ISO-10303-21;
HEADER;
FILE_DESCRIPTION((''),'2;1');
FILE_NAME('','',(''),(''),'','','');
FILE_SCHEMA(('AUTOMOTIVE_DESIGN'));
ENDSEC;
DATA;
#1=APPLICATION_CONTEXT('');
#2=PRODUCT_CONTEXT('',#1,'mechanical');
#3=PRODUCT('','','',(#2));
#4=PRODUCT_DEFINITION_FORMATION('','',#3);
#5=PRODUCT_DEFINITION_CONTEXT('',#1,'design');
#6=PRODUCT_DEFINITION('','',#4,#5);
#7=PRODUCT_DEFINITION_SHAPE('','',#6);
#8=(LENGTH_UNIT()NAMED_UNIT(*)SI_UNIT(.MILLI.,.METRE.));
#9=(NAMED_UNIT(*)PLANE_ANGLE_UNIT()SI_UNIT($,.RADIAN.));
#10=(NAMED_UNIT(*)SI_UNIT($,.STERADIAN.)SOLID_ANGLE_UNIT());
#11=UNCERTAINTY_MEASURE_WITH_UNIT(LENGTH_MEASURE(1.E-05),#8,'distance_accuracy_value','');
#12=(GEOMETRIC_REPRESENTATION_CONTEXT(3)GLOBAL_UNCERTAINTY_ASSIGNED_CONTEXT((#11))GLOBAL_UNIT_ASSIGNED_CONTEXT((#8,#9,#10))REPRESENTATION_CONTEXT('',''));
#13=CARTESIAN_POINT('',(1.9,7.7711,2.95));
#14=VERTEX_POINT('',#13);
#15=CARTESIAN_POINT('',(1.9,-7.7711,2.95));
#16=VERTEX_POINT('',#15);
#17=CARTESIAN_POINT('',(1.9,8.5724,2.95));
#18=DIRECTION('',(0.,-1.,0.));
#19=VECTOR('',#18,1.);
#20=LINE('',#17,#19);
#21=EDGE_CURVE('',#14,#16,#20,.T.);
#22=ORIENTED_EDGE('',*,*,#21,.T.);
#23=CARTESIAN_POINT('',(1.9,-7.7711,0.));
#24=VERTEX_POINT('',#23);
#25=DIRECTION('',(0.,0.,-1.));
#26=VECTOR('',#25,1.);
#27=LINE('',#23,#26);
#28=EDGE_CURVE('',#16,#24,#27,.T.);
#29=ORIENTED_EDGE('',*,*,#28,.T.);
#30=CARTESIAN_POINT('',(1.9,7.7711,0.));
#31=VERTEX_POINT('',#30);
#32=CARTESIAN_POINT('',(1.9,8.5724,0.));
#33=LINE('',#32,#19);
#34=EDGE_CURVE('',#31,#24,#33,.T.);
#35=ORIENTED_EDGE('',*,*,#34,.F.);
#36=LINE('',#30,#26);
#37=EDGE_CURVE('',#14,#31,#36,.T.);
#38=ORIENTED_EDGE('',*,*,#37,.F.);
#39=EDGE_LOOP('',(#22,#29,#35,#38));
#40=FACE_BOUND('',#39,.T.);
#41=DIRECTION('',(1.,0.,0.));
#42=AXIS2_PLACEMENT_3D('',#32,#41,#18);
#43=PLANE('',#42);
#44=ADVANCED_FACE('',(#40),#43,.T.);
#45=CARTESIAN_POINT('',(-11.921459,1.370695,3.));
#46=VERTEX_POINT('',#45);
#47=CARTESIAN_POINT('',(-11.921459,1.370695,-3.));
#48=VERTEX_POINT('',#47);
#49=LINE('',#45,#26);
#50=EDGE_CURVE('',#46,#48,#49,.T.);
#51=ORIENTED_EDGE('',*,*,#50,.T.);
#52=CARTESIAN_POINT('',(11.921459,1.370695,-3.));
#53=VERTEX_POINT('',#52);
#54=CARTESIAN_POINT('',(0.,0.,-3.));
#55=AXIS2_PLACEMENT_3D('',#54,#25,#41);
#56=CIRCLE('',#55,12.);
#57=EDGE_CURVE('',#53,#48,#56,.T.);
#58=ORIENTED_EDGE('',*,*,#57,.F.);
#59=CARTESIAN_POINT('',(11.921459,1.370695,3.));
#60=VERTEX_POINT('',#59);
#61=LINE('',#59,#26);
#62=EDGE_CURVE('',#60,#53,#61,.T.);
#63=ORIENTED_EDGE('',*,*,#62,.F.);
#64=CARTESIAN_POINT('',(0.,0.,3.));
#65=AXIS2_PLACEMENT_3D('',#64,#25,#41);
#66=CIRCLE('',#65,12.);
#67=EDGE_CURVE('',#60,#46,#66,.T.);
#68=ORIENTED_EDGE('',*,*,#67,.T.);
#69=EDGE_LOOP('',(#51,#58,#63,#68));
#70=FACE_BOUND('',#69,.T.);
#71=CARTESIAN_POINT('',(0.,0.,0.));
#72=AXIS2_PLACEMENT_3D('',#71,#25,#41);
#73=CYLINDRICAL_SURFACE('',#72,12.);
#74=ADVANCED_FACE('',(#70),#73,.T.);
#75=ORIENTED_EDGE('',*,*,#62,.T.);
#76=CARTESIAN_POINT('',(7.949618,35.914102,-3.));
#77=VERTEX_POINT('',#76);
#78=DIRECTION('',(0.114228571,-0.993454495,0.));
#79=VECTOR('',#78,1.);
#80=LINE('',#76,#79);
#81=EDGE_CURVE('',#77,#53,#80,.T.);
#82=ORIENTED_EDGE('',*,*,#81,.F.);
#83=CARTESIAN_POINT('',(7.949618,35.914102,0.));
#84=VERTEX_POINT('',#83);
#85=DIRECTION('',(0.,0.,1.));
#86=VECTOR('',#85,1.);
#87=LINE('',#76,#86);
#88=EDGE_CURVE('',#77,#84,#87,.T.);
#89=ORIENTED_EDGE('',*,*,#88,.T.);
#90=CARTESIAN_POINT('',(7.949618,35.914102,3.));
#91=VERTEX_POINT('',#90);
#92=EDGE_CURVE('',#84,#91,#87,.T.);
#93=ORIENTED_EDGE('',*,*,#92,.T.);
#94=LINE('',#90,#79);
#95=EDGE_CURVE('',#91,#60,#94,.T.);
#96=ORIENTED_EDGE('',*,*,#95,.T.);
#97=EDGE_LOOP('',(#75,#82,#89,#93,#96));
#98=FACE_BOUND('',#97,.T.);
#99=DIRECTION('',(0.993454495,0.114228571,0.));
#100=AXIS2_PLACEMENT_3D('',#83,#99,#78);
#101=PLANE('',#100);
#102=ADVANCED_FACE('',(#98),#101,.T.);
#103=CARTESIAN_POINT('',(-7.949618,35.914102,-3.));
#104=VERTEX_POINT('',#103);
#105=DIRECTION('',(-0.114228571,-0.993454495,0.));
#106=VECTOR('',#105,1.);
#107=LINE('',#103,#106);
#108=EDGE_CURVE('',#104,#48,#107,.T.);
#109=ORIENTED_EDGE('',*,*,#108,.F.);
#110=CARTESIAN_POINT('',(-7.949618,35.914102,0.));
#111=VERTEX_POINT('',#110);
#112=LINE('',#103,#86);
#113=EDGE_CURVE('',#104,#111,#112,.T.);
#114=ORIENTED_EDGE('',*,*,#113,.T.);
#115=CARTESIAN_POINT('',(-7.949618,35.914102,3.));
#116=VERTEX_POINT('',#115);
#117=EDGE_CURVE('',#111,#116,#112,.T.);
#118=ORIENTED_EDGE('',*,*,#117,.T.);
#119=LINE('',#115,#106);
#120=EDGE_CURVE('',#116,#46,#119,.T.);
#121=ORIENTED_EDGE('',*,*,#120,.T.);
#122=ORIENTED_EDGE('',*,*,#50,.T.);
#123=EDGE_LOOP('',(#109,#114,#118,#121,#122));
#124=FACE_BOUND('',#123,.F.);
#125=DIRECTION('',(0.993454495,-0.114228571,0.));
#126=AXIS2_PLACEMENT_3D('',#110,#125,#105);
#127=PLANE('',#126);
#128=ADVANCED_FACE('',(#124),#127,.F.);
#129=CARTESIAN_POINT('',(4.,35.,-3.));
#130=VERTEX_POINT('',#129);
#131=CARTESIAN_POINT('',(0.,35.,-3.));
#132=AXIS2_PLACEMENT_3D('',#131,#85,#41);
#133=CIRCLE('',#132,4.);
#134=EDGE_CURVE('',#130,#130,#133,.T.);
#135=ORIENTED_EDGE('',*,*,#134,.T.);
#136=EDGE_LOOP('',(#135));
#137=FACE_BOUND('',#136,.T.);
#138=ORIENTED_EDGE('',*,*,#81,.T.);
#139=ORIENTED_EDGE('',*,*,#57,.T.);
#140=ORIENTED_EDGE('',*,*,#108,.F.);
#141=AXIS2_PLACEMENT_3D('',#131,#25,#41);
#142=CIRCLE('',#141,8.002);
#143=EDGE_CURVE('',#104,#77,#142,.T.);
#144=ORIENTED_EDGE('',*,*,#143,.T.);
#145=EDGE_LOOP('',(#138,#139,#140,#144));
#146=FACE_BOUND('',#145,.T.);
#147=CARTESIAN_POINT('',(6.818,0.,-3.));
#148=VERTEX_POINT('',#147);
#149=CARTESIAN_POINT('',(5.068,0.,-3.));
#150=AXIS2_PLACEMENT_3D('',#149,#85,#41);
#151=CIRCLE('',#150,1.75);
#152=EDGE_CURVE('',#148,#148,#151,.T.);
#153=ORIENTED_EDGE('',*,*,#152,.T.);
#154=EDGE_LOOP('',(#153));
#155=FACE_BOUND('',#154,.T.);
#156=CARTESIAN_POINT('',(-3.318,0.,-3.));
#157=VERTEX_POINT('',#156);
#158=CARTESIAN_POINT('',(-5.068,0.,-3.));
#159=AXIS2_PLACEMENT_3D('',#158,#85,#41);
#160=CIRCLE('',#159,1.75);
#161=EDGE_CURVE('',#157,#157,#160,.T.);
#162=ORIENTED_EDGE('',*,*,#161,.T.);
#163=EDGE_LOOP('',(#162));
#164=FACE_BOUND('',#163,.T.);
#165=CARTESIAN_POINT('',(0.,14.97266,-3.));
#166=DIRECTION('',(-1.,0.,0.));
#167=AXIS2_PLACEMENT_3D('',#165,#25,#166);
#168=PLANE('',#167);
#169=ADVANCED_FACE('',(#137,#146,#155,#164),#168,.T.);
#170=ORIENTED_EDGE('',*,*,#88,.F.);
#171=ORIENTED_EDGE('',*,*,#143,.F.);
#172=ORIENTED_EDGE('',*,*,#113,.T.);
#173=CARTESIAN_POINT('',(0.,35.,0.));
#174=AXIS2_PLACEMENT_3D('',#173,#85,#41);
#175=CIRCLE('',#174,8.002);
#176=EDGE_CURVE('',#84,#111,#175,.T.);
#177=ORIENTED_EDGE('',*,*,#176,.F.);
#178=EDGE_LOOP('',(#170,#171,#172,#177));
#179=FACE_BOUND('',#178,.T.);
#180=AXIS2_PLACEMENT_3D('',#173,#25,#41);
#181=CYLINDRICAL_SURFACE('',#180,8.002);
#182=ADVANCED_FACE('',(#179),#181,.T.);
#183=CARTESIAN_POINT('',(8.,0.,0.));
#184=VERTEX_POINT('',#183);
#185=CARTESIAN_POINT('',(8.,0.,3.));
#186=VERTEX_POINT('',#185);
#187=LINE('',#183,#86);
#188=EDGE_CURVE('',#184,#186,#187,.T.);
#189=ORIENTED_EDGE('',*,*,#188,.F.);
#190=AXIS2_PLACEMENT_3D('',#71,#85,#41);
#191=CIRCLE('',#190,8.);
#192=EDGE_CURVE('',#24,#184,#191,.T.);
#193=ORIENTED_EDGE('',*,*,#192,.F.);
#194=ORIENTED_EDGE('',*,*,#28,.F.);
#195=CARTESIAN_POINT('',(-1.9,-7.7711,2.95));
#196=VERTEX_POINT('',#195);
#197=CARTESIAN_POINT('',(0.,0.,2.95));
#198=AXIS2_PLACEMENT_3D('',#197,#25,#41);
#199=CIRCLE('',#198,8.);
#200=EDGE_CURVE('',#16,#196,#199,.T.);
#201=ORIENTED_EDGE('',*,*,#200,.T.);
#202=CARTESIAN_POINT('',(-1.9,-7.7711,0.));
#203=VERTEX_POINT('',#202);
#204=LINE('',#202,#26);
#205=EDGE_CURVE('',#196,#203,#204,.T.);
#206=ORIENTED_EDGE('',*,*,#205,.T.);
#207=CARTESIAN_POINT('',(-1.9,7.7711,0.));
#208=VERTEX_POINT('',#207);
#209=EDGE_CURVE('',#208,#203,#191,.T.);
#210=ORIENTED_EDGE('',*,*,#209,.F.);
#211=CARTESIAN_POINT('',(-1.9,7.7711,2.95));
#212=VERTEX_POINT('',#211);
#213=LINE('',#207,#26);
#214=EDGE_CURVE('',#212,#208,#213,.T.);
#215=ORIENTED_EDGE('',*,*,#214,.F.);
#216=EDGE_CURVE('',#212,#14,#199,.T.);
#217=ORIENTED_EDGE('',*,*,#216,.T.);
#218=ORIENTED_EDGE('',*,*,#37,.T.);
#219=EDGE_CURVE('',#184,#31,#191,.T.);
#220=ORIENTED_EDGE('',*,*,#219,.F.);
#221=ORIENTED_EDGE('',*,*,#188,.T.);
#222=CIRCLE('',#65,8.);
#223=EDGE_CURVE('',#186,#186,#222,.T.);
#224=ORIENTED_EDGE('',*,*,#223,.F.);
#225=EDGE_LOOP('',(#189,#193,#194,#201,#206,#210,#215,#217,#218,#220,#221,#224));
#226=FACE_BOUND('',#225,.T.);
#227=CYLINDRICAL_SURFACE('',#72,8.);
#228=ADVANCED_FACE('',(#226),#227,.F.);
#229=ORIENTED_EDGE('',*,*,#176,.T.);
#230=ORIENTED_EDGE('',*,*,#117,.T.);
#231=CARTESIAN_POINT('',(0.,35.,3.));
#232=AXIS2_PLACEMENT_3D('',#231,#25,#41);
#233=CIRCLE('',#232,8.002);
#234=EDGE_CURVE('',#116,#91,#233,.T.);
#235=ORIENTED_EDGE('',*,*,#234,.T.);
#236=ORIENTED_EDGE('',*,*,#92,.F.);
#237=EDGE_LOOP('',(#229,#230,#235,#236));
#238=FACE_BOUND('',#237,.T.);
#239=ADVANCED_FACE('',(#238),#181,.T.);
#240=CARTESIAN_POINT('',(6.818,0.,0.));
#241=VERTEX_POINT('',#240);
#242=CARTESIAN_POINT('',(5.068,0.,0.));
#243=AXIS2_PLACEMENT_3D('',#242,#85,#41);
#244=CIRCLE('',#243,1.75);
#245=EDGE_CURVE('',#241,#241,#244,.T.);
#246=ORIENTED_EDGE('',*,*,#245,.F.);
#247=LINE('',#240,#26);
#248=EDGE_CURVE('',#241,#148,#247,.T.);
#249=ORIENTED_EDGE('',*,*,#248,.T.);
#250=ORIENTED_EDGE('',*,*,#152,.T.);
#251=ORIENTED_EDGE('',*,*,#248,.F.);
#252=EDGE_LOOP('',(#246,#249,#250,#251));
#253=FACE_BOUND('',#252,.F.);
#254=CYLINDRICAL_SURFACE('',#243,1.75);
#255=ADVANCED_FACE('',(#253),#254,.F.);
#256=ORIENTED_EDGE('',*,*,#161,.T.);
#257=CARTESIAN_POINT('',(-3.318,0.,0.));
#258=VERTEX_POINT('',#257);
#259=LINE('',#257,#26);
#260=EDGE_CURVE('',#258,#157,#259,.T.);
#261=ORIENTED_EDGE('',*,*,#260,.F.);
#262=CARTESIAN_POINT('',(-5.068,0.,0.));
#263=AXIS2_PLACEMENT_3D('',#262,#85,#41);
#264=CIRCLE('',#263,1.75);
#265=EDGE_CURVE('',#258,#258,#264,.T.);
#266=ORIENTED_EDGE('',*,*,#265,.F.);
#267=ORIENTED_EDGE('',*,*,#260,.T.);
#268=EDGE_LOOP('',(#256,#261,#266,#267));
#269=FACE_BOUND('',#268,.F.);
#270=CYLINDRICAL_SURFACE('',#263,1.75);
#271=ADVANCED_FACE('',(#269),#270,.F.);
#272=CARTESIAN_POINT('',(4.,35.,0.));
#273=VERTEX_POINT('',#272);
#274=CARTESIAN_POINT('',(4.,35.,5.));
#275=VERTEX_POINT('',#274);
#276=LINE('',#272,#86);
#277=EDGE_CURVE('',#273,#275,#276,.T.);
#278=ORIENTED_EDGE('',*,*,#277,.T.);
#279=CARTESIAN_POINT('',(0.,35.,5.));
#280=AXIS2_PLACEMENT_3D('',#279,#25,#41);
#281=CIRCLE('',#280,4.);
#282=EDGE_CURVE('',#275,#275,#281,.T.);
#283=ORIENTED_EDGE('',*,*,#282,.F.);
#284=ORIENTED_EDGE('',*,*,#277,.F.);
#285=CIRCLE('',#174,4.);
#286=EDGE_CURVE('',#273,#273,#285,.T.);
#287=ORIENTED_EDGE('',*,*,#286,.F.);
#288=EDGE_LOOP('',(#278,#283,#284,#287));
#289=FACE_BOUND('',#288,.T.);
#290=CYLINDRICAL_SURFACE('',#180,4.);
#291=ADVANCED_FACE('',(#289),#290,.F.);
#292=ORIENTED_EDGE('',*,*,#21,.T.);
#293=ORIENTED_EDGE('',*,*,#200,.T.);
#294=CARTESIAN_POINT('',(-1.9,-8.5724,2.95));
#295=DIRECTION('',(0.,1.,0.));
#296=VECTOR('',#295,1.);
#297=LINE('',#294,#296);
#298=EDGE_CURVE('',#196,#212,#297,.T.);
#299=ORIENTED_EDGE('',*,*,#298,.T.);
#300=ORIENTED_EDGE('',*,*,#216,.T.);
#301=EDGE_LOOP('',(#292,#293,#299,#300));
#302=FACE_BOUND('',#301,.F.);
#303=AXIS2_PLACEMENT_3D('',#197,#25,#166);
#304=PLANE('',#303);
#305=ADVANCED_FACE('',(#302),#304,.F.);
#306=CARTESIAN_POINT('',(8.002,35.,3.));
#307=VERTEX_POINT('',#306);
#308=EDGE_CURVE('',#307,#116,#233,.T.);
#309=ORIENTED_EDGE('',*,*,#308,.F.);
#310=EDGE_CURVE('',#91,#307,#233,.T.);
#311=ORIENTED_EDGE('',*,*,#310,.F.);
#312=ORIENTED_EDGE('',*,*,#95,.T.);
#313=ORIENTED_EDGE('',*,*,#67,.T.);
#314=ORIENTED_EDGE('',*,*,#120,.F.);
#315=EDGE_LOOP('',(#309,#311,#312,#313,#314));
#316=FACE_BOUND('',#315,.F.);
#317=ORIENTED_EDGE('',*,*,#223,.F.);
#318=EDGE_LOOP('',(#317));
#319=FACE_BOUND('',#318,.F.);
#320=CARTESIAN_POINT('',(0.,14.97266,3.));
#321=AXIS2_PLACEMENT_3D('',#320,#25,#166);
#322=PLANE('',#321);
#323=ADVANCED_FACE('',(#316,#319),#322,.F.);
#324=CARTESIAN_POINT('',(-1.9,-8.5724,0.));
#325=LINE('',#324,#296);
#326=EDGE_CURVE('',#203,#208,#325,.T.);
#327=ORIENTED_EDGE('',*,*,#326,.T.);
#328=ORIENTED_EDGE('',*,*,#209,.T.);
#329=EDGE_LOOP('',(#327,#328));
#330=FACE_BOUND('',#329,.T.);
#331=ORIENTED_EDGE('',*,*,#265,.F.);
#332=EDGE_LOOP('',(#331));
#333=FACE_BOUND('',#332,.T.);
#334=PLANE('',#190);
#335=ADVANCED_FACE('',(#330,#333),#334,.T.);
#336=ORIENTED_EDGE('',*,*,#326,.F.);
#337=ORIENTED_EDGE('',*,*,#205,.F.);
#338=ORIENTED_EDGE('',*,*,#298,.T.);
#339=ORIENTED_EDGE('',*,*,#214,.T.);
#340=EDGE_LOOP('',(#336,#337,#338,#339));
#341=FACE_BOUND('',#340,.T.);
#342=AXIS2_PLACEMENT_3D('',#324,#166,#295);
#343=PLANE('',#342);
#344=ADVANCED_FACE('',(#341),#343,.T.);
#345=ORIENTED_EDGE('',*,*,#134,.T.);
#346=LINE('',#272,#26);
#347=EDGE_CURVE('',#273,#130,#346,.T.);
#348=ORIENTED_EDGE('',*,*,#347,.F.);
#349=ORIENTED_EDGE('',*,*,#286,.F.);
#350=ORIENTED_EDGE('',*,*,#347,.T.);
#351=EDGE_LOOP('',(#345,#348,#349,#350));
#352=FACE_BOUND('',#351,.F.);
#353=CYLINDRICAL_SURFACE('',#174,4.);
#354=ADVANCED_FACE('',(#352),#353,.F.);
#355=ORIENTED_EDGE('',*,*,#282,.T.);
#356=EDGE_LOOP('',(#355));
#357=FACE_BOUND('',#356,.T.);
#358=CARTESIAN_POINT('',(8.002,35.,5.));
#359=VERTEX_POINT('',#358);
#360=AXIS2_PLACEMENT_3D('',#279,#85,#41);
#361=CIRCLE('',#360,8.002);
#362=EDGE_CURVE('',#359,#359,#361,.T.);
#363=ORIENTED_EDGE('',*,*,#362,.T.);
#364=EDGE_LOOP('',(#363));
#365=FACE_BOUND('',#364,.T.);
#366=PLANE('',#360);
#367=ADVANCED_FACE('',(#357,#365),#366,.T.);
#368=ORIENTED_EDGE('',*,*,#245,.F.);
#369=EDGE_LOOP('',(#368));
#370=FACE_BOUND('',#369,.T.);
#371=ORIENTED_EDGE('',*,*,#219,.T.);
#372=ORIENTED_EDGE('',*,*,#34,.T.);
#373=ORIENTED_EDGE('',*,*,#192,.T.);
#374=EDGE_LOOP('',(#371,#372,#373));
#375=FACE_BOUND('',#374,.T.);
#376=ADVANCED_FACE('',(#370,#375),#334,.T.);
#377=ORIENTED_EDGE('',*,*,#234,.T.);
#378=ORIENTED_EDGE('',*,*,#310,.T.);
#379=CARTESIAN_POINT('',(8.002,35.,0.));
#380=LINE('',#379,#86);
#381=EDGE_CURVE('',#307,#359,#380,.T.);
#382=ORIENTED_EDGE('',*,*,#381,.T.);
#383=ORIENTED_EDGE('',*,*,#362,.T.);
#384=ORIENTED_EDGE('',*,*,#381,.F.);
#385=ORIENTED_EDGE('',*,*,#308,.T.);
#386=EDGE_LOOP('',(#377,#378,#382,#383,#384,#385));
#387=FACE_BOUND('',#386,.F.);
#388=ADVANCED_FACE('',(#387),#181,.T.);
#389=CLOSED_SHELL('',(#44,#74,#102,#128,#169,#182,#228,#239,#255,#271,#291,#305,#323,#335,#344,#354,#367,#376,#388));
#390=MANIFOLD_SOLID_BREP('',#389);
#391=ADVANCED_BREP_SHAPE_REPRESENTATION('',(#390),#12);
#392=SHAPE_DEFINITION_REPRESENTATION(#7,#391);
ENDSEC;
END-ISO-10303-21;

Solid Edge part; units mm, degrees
sketch "Sketch1" plane through (0, 0, 0) normal (0, 0, 1) x (1, 0, 0)
  line L0 (7.9496, 35.9141) -> (11.9215, 1.3707)
  line L1 (-7.9496, 35.9141) -> (-11.9215, 1.3707)
  arc A0 (11.9215, 1.3707) -> (-11.9215, 1.3707) centre (0, 0) cw
  arc A1 (-7.9496, 35.9141) -> (7.9496, 35.9141) centre (0, 35) cw
extrude "Protrusion1" add sketch "Sketch1" along normal mid plane 6
sketch "Sketch2" plane through (0, 0, 0) normal (0, 0, 1) x (1, 0, 0)
  circle A0 centre (0, 0) radius 8
extrude "ExtrudedCutout_1" cut sketch "Sketch2" along normal blind 28.5335
sketch "Sketch3" plane through (0, 0, 0) normal (0, 0, 1) x (1, 0, 0)
  circle A0 centre (-5.068, 0) radius 1.75
  circle A1 centre (5.068, 0) radius 1.75
extrude "ExtrudedCutout_2" cut sketch "Sketch3" along normal mid plane 265.7863
sketch "Sketch4" plane through (0, 0, 0) normal (0, 0, 1) x (1, 0, 0)
  circle A0 centre (0, 35) radius 4
extrude "ExtrudedCutout_3" cut sketch "Sketch4" along normal mid plane 190.7262
sketch "Sketch5" plane through (0, 0, 0) normal (0, 0, 1) x (1, 0, 0)
  circle A0 centre (0, 35) radius 8.002
extrude "ExtrudedProtrusion_2" add sketch "Sketch5" along normal blind 5
sketch "Sketch6" plane through (0, 0, 0) normal (0, 0, 1) x (1, 0, 0)
  circle A0 centre (0, 35) radius 4
extrude "ExtrudedCutout_4" cut sketch "Sketch6" along normal mid plane 58.2949
sketch "Sketch7" plane through (0, 0, 0) normal (0, 0, 1) x (1, 0, 0)
  line L0 (-1.9, 8.5724) -> (1.9, 8.5724)
  line L1 (1.9, 8.5724) -> (1.9, -8.5724)
  line L2 (1.9, -8.5724) -> (-1.9, -8.5724)
  line L3 (-1.9, -8.5724) -> (-1.9, 8.5724)
extrude "ExtrudedProtrusion_4" add sketch "Sketch7" along normal blind 2.95
